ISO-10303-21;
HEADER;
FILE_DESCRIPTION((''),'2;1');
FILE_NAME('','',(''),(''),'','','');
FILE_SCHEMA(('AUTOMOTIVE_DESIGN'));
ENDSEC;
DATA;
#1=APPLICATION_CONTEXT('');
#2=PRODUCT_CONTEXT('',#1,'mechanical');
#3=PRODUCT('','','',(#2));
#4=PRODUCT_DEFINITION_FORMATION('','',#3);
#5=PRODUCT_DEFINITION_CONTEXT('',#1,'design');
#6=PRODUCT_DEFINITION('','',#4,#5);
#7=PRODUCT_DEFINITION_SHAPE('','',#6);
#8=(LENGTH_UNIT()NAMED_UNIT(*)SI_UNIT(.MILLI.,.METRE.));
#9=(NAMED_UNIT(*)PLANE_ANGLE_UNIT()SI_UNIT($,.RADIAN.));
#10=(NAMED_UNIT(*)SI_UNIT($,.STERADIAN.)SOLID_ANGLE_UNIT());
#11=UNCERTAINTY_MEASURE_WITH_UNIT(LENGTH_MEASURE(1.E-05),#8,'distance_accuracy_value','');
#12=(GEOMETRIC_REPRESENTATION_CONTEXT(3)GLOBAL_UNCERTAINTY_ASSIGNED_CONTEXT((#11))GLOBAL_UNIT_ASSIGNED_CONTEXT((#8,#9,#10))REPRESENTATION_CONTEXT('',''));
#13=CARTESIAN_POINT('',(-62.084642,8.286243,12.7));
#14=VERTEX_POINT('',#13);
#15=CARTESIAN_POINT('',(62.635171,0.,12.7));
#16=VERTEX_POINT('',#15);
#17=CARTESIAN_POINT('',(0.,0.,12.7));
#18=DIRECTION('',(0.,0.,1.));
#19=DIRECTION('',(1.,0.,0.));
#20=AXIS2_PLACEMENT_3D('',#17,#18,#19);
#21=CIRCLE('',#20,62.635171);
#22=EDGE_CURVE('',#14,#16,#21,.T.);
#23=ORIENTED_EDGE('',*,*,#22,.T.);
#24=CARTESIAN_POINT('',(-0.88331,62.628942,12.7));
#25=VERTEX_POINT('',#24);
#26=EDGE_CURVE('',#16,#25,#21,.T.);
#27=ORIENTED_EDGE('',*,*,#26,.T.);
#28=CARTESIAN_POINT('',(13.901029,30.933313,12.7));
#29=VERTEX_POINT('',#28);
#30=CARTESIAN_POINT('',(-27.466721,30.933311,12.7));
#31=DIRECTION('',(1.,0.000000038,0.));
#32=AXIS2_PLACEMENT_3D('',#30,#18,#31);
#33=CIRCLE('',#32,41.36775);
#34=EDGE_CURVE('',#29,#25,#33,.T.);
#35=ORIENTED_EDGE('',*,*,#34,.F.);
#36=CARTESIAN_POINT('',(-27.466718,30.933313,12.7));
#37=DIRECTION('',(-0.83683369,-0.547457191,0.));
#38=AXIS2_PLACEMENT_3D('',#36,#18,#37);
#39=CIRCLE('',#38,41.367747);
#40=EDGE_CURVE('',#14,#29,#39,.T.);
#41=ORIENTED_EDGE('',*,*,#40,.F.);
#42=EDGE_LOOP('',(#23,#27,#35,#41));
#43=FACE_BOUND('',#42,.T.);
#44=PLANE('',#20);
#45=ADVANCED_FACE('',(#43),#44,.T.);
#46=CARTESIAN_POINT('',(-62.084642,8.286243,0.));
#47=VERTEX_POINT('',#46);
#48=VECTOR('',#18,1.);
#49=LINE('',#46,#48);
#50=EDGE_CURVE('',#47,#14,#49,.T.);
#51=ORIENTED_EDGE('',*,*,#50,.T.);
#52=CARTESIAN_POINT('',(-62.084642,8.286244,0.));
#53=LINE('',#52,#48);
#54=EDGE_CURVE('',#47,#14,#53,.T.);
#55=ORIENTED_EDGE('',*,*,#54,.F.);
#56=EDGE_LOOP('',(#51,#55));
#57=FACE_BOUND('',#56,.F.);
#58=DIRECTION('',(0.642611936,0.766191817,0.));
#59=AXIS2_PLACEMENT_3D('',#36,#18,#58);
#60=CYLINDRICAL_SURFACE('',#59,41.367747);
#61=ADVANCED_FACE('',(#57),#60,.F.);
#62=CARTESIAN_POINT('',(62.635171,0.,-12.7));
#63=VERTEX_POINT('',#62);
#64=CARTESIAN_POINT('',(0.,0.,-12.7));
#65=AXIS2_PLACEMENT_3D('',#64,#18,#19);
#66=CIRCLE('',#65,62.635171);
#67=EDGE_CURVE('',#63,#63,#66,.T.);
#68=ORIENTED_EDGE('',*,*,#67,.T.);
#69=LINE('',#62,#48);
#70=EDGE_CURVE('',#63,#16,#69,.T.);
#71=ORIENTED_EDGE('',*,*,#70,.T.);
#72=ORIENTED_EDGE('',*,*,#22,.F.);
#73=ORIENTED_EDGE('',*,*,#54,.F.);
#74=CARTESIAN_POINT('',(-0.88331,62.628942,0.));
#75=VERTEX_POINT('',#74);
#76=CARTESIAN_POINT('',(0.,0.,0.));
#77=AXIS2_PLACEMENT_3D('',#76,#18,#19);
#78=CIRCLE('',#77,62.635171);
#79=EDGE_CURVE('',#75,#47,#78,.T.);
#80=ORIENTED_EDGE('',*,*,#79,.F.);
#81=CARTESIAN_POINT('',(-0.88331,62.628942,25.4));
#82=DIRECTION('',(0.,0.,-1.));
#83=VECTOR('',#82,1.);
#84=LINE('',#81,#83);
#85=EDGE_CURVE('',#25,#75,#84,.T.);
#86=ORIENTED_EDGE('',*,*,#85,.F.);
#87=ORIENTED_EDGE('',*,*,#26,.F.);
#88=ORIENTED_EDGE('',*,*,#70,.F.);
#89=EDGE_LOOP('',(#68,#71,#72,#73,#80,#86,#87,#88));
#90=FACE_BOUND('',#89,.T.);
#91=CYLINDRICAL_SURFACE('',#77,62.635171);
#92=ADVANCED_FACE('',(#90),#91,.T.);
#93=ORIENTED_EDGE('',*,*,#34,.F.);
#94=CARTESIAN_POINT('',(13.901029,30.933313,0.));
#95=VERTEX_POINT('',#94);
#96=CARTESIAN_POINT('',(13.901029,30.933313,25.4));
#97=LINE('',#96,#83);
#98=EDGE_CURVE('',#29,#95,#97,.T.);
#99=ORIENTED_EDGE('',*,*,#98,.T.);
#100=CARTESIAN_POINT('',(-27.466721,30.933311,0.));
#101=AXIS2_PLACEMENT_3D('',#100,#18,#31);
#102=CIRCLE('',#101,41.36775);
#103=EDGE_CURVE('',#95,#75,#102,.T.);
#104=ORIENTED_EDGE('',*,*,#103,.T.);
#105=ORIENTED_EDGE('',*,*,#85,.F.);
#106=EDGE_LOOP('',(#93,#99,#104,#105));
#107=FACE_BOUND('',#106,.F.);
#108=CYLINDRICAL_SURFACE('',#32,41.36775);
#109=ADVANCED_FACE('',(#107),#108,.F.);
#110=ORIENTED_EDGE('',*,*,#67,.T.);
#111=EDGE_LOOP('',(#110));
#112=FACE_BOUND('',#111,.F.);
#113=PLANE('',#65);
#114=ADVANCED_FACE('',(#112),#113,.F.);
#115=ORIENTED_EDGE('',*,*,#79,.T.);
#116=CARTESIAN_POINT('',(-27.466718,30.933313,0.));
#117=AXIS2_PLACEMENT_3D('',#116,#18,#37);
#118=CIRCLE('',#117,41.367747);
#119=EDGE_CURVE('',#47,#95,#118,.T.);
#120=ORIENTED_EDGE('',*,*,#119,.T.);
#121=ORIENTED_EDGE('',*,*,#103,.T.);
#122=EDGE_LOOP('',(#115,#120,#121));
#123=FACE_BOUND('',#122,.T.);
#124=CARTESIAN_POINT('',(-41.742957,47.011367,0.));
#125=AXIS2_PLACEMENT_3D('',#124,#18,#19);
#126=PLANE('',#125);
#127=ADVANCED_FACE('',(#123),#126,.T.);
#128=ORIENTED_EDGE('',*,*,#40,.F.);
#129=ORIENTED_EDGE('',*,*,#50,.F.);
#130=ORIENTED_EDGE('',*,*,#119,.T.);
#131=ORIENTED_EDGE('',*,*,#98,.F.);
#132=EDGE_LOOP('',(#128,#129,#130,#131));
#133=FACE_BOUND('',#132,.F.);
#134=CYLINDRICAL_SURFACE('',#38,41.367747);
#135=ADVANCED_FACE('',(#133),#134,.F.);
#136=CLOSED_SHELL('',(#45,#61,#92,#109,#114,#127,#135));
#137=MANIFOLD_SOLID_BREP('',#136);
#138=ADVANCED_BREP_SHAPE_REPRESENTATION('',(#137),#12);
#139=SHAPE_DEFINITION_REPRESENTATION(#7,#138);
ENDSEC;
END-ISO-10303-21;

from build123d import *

# Parameters (mm, degrees)
F0_R     = 62.635171
F1_DEPTH = 12.7
F3_DEPTH = 12.7


with BuildPart() as f1:
    # F0 (on Top) → F1 (new body, symmetric)
    with BuildSketch(Plane.XY):
        Circle(F0_R)
    extrude(amount=F1_DEPTH, both=True)

    # F2 (on face) → F3 (cut, symmetric)
    with BuildSketch(Plane.XY.offset(12.7)):
        with BuildLine():
            ThreePointArc((-62.084642, 8.286243), (-41.587534, 46.836328), (-0.88331, 62.628942))
            ThreePointArc((-0.88331, 62.628942), (-54.933436, 61.866626), (-62.084642, 8.286243))
        make_face()
        with BuildLine():
            ThreePointArc((-62.084642, 8.286243), (-15.650946, -8.711081), (13.901029, 30.933313))
            ThreePointArc((13.901029, 30.933313), (10.023188, 48.420377), (-0.88331, 62.628942))
            ThreePointArc((-0.88331, 62.628942), (-41.587534, 46.836328), (-62.084642, 8.286243))
        make_face()
    extrude(amount=F3_DEPTH, both=True, mode=Mode.SUBTRACT)


solid = f1.part
